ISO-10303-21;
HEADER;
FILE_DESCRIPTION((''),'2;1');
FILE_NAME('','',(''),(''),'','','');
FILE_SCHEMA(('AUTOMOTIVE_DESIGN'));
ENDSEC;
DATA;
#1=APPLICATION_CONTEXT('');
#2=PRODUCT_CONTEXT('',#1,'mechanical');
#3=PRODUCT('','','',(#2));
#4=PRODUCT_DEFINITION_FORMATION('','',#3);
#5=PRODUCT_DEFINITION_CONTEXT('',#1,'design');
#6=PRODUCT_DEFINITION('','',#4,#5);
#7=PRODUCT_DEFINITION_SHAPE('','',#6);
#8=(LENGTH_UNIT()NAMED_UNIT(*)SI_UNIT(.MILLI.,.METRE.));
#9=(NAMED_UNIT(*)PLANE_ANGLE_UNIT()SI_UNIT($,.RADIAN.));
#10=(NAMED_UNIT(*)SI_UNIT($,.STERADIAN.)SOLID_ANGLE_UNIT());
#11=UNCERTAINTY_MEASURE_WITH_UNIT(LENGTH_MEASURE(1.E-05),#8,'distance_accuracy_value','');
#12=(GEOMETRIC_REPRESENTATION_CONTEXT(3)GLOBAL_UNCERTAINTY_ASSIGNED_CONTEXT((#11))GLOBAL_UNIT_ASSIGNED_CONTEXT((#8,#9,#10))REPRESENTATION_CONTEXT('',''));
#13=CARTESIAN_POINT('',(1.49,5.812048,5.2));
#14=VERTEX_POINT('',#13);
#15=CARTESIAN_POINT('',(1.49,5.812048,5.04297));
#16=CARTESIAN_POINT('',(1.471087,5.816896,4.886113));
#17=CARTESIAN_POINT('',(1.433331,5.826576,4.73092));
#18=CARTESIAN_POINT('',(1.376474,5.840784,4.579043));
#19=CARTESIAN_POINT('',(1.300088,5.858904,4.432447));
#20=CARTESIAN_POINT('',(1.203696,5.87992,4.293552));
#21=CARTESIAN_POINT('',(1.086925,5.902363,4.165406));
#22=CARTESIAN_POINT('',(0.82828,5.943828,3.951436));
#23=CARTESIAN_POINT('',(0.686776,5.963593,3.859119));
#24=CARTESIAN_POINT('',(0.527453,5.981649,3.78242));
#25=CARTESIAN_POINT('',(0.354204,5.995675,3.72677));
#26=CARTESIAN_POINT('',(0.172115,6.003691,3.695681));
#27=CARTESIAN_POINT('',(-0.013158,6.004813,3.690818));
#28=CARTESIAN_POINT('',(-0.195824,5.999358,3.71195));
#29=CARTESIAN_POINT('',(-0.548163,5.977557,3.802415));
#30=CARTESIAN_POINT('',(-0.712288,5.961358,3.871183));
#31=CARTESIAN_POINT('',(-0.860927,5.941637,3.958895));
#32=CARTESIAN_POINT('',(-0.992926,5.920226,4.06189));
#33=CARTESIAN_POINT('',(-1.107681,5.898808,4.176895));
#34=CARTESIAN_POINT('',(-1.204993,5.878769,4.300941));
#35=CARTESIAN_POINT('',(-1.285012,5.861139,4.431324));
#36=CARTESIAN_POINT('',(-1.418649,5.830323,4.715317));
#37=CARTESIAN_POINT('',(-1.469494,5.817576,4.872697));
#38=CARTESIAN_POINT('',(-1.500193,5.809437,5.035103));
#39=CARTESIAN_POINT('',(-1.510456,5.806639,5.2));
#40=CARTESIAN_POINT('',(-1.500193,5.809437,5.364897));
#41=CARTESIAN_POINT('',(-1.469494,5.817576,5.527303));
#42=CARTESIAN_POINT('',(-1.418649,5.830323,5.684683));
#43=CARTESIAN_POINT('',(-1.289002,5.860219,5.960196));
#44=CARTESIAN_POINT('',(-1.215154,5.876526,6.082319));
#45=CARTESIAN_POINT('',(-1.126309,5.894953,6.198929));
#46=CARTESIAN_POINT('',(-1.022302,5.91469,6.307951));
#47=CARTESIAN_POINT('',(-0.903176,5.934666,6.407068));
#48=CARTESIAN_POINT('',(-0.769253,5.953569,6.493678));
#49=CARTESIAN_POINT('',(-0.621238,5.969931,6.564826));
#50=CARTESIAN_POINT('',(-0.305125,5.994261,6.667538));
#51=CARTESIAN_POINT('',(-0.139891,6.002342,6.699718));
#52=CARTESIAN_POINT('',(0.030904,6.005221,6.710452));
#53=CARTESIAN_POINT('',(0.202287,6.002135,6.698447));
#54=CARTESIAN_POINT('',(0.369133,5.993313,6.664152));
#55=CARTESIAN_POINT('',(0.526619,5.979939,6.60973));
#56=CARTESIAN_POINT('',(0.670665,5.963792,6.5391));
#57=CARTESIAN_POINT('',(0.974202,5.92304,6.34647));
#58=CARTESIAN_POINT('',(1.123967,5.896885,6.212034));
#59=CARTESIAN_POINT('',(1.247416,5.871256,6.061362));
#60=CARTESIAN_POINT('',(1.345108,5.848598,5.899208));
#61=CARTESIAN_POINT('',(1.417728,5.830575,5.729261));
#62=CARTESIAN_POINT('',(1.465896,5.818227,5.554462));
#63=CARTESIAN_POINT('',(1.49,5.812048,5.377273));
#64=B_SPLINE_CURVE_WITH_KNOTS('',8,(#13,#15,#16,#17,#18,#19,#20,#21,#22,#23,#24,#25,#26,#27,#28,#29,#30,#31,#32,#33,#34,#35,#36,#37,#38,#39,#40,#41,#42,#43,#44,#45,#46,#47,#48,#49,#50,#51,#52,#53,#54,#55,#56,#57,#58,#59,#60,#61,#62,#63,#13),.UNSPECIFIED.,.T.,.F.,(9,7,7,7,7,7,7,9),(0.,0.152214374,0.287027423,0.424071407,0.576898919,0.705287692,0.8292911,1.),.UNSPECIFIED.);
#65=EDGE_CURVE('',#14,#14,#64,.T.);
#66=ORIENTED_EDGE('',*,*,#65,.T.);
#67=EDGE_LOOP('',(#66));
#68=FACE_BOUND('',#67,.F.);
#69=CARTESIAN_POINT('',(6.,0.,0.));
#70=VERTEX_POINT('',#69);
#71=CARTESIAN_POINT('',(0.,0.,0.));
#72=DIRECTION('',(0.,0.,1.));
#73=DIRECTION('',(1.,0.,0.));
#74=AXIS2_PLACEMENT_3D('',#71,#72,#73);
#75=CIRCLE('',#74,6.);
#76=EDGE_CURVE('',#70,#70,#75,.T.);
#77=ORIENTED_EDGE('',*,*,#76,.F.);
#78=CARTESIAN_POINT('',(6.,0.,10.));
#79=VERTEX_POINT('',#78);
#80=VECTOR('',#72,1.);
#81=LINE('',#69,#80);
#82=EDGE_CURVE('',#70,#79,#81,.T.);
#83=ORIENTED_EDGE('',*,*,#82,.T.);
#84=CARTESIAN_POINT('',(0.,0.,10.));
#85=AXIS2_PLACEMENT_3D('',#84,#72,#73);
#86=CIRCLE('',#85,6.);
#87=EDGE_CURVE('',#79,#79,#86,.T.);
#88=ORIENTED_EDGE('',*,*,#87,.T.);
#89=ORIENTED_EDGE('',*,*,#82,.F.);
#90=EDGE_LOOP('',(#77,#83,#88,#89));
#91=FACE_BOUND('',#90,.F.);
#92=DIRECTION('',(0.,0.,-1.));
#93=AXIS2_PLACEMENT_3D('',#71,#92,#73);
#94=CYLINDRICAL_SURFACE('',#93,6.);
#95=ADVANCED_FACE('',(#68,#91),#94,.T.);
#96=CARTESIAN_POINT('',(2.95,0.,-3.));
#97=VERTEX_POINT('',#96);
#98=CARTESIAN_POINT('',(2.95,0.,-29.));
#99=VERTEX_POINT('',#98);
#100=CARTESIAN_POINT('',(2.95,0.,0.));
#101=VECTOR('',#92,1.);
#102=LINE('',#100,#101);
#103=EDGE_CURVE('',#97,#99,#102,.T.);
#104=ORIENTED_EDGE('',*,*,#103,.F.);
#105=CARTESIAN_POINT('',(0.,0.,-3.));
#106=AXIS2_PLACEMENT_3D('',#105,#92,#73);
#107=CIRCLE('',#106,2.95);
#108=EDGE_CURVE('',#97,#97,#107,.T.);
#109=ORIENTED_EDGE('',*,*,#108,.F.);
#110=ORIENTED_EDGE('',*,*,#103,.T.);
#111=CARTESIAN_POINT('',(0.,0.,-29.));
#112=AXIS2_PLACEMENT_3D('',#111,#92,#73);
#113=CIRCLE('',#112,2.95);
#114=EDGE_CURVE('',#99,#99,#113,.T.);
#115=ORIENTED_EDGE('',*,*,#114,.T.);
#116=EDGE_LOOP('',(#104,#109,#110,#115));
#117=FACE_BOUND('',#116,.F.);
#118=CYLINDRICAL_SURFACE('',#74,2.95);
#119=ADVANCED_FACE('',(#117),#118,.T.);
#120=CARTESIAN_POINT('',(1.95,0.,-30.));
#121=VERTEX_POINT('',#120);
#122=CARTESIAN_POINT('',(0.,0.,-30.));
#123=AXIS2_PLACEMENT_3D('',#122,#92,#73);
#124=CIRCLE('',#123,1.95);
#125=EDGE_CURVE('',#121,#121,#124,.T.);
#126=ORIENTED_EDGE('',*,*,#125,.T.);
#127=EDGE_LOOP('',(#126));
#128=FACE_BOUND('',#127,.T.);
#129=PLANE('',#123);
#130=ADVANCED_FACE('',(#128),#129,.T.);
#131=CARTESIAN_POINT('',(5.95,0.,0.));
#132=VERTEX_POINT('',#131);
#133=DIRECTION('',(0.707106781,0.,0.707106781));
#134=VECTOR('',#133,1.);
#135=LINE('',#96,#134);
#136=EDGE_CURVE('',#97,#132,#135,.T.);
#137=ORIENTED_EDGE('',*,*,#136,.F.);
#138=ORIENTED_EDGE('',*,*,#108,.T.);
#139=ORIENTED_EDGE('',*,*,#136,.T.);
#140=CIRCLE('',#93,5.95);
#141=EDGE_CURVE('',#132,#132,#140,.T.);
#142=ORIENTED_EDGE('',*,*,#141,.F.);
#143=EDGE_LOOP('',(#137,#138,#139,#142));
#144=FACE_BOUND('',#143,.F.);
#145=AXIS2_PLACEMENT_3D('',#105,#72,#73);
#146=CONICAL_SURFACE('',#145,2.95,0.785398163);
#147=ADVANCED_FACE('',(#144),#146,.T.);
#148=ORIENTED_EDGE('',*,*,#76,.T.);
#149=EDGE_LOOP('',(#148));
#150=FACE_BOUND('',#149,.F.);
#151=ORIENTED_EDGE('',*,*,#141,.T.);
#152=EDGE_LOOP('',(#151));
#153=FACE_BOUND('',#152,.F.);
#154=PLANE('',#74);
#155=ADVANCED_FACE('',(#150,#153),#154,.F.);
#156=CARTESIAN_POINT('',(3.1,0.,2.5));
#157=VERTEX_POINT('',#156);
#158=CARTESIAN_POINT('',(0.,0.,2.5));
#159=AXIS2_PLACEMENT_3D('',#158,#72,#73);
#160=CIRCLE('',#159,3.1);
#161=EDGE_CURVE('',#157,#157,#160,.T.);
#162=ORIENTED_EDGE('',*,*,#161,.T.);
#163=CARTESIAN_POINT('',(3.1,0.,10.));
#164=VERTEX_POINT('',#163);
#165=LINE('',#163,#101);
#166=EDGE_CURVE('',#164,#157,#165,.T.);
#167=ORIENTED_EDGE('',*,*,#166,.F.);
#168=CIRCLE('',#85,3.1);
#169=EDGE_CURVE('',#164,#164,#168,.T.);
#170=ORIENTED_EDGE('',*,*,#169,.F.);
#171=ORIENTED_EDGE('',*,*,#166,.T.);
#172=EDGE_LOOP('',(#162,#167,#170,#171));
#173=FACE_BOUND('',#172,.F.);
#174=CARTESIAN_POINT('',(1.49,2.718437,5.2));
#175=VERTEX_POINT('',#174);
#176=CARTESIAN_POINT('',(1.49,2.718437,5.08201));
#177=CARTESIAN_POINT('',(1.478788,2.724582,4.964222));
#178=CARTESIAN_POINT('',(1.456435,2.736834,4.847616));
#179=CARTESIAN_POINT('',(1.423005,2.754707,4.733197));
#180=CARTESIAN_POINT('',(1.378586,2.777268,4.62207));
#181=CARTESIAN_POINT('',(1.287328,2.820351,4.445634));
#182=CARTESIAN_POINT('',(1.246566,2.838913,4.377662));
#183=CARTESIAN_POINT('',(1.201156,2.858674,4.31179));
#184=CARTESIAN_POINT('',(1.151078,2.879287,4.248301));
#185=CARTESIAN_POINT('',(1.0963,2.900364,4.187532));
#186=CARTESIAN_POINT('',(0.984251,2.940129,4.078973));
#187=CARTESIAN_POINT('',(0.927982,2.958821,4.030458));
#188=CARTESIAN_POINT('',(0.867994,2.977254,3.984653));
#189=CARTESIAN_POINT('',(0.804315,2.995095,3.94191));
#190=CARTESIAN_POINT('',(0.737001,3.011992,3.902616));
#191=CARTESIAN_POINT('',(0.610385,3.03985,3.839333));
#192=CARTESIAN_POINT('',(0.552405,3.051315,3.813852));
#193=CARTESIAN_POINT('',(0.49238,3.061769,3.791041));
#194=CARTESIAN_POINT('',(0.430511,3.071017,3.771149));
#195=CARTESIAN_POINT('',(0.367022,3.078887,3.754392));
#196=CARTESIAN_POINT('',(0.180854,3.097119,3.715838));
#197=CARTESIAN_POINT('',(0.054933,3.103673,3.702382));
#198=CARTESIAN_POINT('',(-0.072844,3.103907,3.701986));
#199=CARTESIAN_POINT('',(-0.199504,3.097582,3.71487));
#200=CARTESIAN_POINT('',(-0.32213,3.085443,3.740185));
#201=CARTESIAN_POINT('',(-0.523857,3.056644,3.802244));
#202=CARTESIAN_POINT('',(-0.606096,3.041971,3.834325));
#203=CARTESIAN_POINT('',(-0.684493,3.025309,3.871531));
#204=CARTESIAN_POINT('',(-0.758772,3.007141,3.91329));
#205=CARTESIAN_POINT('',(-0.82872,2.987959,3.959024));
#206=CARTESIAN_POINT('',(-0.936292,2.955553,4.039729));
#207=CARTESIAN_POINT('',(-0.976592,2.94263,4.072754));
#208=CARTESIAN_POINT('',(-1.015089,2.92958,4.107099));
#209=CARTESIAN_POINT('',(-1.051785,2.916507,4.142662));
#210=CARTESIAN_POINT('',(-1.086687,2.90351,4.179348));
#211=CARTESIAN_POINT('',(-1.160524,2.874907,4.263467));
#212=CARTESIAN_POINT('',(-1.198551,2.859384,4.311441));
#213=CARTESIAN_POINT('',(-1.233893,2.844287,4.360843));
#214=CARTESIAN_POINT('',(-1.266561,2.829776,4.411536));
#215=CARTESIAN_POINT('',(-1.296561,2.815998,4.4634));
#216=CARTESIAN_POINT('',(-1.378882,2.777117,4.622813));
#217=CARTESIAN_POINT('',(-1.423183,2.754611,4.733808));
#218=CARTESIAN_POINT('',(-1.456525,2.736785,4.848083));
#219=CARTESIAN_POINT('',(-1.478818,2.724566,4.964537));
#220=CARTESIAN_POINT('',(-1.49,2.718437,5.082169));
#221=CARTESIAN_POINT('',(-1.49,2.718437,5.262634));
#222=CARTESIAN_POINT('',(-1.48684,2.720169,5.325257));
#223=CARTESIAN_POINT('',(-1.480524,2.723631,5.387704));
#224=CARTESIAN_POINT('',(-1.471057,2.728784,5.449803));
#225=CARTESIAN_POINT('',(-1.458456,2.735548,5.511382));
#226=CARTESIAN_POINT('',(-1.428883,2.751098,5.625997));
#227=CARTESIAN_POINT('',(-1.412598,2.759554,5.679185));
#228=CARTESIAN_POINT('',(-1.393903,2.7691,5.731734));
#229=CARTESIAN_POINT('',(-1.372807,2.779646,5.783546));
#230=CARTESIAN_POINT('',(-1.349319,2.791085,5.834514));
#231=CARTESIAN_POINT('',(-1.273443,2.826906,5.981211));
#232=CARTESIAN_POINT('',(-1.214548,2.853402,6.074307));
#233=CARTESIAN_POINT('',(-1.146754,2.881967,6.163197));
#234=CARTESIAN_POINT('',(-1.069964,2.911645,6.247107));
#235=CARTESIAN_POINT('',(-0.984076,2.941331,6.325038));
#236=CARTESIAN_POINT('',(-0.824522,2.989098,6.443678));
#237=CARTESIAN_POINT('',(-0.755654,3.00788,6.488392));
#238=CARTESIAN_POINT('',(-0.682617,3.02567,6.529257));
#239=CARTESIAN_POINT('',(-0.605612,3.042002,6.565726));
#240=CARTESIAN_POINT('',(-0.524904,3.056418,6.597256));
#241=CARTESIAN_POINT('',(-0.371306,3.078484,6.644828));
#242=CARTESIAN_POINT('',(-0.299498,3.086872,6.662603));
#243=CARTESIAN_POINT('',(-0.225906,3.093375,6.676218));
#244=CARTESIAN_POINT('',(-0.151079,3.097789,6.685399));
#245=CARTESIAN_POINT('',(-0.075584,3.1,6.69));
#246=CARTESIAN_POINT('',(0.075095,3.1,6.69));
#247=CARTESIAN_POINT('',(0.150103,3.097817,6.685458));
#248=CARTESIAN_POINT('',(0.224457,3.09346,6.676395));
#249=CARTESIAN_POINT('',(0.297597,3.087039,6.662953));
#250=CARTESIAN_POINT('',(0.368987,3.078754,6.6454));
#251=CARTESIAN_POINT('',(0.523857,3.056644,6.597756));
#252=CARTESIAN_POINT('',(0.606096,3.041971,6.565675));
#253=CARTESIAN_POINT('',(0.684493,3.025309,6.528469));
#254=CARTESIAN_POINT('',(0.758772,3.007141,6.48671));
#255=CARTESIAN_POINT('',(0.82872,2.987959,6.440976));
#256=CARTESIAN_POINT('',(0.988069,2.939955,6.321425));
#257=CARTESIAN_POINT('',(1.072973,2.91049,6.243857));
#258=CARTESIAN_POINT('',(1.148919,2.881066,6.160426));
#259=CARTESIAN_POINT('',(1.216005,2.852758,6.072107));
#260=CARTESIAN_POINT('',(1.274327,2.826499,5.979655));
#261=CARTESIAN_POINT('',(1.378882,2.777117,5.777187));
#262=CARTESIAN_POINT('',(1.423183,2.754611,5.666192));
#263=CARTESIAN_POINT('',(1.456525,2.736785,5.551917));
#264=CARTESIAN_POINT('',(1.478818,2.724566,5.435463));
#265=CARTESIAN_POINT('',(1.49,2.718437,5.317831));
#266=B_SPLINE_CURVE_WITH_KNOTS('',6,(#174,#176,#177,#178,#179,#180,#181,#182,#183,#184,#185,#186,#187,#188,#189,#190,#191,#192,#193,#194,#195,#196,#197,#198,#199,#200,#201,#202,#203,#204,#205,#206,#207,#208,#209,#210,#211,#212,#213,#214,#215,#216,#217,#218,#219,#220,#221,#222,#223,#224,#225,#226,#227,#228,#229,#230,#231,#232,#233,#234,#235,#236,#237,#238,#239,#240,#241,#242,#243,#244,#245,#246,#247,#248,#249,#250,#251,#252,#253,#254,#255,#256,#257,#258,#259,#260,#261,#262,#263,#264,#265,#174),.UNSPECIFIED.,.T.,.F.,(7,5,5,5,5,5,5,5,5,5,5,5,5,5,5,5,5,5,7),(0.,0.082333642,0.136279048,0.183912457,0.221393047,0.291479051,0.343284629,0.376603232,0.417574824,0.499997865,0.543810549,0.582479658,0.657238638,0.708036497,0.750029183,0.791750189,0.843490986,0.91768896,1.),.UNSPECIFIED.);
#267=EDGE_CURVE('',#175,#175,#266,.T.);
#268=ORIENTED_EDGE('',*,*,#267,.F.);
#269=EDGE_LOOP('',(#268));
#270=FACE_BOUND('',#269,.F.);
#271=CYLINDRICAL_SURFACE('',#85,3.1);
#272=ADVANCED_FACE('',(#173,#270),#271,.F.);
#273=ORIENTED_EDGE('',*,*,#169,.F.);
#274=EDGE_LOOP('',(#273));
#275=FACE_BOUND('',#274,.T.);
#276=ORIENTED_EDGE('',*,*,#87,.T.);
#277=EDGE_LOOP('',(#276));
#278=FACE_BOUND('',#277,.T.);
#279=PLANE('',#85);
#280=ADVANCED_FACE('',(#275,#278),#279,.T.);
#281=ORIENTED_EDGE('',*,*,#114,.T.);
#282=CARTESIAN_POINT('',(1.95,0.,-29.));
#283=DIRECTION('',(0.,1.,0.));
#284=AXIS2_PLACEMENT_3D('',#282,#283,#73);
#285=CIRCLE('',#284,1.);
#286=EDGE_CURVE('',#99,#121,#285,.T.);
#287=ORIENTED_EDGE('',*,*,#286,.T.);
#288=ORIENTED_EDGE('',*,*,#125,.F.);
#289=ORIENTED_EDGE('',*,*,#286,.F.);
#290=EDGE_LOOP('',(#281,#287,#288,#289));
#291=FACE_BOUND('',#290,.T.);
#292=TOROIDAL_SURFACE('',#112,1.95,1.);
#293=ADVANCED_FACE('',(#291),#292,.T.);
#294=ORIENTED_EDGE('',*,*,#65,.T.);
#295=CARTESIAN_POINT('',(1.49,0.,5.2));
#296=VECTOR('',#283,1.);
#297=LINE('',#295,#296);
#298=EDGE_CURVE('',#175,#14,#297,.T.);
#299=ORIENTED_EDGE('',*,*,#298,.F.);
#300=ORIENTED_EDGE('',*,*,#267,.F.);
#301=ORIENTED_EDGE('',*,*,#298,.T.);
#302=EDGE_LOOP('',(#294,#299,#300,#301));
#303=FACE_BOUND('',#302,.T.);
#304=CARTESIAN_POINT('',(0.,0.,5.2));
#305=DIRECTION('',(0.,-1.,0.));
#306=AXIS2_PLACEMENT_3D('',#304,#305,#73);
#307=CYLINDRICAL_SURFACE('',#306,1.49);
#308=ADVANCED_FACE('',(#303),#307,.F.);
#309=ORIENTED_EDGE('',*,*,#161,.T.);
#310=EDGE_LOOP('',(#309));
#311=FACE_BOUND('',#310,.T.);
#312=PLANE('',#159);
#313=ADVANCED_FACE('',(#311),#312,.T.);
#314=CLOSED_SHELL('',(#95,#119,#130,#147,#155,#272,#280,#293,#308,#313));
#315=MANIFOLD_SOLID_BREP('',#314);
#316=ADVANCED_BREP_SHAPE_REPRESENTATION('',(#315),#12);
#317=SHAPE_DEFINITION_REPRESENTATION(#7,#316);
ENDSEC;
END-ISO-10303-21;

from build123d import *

# Parameters (mm, degrees)
CYLINDER_R     = 1.49
CYLINDER_DEPTH = 20
SKETCH_R       = 6
PAD_DEPTH      = 10
SKETCH001_R    = 3.1
POCKET_DEPTH   = 7.5
SKETCH002_R    = 2.95
PAD001_DEPTH   = 30
FILLET_R       = 1
CHAMFER_SIZE   = 3


with BuildPart() as cilindro:
    # Cylinder → Cylinder (new body)
    with BuildSketch(Plane(origin=(0, 0, 5.2), x_dir=(1, 0, 0), z_dir=(0, 1, 0))):
        Circle(CYLINDER_R)
    extrude(amount=CYLINDER_DEPTH)


with BuildPart() as cut:
    # Sketch → Pad (new body)
    with BuildSketch(Plane.XY):
        Circle(SKETCH_R)
    extrude(amount=PAD_DEPTH)

    # Sketch001 (on Face3 of Pad) → Pocket (cut)
    with BuildSketch(Plane.XY.offset(10)):
        Circle(SKETCH001_R)
    extrude(amount=-POCKET_DEPTH, mode=Mode.SUBTRACT)

    # Sketch002 (on Face2 of Pocket) → Pad001 (join)
    with BuildSketch(Plane(origin=(0, 0, 0), x_dir=(1, 0, 0), z_dir=(0, 0, -1))):
        Circle(SKETCH002_R)
    extrude(amount=PAD001_DEPTH)

    # Fillet
    fillet_edges = [cut.edges().sort_by_distance(p)[0] for p in [
        (-2.95, 0, -30),
    ]]
    fillet(fillet_edges, radius=FILLET_R)

    # Chamfer
    chamfer_edges = [cut.edges().sort_by_distance(p)[0] for p in [
        (-2.95, 0, 0),
    ]]
    chamfer(chamfer_edges, length=CHAMFER_SIZE)

    # Cut: cut Cilindro
    add(cilindro.part, mode=Mode.SUBTRACT)


solid = cut.part
